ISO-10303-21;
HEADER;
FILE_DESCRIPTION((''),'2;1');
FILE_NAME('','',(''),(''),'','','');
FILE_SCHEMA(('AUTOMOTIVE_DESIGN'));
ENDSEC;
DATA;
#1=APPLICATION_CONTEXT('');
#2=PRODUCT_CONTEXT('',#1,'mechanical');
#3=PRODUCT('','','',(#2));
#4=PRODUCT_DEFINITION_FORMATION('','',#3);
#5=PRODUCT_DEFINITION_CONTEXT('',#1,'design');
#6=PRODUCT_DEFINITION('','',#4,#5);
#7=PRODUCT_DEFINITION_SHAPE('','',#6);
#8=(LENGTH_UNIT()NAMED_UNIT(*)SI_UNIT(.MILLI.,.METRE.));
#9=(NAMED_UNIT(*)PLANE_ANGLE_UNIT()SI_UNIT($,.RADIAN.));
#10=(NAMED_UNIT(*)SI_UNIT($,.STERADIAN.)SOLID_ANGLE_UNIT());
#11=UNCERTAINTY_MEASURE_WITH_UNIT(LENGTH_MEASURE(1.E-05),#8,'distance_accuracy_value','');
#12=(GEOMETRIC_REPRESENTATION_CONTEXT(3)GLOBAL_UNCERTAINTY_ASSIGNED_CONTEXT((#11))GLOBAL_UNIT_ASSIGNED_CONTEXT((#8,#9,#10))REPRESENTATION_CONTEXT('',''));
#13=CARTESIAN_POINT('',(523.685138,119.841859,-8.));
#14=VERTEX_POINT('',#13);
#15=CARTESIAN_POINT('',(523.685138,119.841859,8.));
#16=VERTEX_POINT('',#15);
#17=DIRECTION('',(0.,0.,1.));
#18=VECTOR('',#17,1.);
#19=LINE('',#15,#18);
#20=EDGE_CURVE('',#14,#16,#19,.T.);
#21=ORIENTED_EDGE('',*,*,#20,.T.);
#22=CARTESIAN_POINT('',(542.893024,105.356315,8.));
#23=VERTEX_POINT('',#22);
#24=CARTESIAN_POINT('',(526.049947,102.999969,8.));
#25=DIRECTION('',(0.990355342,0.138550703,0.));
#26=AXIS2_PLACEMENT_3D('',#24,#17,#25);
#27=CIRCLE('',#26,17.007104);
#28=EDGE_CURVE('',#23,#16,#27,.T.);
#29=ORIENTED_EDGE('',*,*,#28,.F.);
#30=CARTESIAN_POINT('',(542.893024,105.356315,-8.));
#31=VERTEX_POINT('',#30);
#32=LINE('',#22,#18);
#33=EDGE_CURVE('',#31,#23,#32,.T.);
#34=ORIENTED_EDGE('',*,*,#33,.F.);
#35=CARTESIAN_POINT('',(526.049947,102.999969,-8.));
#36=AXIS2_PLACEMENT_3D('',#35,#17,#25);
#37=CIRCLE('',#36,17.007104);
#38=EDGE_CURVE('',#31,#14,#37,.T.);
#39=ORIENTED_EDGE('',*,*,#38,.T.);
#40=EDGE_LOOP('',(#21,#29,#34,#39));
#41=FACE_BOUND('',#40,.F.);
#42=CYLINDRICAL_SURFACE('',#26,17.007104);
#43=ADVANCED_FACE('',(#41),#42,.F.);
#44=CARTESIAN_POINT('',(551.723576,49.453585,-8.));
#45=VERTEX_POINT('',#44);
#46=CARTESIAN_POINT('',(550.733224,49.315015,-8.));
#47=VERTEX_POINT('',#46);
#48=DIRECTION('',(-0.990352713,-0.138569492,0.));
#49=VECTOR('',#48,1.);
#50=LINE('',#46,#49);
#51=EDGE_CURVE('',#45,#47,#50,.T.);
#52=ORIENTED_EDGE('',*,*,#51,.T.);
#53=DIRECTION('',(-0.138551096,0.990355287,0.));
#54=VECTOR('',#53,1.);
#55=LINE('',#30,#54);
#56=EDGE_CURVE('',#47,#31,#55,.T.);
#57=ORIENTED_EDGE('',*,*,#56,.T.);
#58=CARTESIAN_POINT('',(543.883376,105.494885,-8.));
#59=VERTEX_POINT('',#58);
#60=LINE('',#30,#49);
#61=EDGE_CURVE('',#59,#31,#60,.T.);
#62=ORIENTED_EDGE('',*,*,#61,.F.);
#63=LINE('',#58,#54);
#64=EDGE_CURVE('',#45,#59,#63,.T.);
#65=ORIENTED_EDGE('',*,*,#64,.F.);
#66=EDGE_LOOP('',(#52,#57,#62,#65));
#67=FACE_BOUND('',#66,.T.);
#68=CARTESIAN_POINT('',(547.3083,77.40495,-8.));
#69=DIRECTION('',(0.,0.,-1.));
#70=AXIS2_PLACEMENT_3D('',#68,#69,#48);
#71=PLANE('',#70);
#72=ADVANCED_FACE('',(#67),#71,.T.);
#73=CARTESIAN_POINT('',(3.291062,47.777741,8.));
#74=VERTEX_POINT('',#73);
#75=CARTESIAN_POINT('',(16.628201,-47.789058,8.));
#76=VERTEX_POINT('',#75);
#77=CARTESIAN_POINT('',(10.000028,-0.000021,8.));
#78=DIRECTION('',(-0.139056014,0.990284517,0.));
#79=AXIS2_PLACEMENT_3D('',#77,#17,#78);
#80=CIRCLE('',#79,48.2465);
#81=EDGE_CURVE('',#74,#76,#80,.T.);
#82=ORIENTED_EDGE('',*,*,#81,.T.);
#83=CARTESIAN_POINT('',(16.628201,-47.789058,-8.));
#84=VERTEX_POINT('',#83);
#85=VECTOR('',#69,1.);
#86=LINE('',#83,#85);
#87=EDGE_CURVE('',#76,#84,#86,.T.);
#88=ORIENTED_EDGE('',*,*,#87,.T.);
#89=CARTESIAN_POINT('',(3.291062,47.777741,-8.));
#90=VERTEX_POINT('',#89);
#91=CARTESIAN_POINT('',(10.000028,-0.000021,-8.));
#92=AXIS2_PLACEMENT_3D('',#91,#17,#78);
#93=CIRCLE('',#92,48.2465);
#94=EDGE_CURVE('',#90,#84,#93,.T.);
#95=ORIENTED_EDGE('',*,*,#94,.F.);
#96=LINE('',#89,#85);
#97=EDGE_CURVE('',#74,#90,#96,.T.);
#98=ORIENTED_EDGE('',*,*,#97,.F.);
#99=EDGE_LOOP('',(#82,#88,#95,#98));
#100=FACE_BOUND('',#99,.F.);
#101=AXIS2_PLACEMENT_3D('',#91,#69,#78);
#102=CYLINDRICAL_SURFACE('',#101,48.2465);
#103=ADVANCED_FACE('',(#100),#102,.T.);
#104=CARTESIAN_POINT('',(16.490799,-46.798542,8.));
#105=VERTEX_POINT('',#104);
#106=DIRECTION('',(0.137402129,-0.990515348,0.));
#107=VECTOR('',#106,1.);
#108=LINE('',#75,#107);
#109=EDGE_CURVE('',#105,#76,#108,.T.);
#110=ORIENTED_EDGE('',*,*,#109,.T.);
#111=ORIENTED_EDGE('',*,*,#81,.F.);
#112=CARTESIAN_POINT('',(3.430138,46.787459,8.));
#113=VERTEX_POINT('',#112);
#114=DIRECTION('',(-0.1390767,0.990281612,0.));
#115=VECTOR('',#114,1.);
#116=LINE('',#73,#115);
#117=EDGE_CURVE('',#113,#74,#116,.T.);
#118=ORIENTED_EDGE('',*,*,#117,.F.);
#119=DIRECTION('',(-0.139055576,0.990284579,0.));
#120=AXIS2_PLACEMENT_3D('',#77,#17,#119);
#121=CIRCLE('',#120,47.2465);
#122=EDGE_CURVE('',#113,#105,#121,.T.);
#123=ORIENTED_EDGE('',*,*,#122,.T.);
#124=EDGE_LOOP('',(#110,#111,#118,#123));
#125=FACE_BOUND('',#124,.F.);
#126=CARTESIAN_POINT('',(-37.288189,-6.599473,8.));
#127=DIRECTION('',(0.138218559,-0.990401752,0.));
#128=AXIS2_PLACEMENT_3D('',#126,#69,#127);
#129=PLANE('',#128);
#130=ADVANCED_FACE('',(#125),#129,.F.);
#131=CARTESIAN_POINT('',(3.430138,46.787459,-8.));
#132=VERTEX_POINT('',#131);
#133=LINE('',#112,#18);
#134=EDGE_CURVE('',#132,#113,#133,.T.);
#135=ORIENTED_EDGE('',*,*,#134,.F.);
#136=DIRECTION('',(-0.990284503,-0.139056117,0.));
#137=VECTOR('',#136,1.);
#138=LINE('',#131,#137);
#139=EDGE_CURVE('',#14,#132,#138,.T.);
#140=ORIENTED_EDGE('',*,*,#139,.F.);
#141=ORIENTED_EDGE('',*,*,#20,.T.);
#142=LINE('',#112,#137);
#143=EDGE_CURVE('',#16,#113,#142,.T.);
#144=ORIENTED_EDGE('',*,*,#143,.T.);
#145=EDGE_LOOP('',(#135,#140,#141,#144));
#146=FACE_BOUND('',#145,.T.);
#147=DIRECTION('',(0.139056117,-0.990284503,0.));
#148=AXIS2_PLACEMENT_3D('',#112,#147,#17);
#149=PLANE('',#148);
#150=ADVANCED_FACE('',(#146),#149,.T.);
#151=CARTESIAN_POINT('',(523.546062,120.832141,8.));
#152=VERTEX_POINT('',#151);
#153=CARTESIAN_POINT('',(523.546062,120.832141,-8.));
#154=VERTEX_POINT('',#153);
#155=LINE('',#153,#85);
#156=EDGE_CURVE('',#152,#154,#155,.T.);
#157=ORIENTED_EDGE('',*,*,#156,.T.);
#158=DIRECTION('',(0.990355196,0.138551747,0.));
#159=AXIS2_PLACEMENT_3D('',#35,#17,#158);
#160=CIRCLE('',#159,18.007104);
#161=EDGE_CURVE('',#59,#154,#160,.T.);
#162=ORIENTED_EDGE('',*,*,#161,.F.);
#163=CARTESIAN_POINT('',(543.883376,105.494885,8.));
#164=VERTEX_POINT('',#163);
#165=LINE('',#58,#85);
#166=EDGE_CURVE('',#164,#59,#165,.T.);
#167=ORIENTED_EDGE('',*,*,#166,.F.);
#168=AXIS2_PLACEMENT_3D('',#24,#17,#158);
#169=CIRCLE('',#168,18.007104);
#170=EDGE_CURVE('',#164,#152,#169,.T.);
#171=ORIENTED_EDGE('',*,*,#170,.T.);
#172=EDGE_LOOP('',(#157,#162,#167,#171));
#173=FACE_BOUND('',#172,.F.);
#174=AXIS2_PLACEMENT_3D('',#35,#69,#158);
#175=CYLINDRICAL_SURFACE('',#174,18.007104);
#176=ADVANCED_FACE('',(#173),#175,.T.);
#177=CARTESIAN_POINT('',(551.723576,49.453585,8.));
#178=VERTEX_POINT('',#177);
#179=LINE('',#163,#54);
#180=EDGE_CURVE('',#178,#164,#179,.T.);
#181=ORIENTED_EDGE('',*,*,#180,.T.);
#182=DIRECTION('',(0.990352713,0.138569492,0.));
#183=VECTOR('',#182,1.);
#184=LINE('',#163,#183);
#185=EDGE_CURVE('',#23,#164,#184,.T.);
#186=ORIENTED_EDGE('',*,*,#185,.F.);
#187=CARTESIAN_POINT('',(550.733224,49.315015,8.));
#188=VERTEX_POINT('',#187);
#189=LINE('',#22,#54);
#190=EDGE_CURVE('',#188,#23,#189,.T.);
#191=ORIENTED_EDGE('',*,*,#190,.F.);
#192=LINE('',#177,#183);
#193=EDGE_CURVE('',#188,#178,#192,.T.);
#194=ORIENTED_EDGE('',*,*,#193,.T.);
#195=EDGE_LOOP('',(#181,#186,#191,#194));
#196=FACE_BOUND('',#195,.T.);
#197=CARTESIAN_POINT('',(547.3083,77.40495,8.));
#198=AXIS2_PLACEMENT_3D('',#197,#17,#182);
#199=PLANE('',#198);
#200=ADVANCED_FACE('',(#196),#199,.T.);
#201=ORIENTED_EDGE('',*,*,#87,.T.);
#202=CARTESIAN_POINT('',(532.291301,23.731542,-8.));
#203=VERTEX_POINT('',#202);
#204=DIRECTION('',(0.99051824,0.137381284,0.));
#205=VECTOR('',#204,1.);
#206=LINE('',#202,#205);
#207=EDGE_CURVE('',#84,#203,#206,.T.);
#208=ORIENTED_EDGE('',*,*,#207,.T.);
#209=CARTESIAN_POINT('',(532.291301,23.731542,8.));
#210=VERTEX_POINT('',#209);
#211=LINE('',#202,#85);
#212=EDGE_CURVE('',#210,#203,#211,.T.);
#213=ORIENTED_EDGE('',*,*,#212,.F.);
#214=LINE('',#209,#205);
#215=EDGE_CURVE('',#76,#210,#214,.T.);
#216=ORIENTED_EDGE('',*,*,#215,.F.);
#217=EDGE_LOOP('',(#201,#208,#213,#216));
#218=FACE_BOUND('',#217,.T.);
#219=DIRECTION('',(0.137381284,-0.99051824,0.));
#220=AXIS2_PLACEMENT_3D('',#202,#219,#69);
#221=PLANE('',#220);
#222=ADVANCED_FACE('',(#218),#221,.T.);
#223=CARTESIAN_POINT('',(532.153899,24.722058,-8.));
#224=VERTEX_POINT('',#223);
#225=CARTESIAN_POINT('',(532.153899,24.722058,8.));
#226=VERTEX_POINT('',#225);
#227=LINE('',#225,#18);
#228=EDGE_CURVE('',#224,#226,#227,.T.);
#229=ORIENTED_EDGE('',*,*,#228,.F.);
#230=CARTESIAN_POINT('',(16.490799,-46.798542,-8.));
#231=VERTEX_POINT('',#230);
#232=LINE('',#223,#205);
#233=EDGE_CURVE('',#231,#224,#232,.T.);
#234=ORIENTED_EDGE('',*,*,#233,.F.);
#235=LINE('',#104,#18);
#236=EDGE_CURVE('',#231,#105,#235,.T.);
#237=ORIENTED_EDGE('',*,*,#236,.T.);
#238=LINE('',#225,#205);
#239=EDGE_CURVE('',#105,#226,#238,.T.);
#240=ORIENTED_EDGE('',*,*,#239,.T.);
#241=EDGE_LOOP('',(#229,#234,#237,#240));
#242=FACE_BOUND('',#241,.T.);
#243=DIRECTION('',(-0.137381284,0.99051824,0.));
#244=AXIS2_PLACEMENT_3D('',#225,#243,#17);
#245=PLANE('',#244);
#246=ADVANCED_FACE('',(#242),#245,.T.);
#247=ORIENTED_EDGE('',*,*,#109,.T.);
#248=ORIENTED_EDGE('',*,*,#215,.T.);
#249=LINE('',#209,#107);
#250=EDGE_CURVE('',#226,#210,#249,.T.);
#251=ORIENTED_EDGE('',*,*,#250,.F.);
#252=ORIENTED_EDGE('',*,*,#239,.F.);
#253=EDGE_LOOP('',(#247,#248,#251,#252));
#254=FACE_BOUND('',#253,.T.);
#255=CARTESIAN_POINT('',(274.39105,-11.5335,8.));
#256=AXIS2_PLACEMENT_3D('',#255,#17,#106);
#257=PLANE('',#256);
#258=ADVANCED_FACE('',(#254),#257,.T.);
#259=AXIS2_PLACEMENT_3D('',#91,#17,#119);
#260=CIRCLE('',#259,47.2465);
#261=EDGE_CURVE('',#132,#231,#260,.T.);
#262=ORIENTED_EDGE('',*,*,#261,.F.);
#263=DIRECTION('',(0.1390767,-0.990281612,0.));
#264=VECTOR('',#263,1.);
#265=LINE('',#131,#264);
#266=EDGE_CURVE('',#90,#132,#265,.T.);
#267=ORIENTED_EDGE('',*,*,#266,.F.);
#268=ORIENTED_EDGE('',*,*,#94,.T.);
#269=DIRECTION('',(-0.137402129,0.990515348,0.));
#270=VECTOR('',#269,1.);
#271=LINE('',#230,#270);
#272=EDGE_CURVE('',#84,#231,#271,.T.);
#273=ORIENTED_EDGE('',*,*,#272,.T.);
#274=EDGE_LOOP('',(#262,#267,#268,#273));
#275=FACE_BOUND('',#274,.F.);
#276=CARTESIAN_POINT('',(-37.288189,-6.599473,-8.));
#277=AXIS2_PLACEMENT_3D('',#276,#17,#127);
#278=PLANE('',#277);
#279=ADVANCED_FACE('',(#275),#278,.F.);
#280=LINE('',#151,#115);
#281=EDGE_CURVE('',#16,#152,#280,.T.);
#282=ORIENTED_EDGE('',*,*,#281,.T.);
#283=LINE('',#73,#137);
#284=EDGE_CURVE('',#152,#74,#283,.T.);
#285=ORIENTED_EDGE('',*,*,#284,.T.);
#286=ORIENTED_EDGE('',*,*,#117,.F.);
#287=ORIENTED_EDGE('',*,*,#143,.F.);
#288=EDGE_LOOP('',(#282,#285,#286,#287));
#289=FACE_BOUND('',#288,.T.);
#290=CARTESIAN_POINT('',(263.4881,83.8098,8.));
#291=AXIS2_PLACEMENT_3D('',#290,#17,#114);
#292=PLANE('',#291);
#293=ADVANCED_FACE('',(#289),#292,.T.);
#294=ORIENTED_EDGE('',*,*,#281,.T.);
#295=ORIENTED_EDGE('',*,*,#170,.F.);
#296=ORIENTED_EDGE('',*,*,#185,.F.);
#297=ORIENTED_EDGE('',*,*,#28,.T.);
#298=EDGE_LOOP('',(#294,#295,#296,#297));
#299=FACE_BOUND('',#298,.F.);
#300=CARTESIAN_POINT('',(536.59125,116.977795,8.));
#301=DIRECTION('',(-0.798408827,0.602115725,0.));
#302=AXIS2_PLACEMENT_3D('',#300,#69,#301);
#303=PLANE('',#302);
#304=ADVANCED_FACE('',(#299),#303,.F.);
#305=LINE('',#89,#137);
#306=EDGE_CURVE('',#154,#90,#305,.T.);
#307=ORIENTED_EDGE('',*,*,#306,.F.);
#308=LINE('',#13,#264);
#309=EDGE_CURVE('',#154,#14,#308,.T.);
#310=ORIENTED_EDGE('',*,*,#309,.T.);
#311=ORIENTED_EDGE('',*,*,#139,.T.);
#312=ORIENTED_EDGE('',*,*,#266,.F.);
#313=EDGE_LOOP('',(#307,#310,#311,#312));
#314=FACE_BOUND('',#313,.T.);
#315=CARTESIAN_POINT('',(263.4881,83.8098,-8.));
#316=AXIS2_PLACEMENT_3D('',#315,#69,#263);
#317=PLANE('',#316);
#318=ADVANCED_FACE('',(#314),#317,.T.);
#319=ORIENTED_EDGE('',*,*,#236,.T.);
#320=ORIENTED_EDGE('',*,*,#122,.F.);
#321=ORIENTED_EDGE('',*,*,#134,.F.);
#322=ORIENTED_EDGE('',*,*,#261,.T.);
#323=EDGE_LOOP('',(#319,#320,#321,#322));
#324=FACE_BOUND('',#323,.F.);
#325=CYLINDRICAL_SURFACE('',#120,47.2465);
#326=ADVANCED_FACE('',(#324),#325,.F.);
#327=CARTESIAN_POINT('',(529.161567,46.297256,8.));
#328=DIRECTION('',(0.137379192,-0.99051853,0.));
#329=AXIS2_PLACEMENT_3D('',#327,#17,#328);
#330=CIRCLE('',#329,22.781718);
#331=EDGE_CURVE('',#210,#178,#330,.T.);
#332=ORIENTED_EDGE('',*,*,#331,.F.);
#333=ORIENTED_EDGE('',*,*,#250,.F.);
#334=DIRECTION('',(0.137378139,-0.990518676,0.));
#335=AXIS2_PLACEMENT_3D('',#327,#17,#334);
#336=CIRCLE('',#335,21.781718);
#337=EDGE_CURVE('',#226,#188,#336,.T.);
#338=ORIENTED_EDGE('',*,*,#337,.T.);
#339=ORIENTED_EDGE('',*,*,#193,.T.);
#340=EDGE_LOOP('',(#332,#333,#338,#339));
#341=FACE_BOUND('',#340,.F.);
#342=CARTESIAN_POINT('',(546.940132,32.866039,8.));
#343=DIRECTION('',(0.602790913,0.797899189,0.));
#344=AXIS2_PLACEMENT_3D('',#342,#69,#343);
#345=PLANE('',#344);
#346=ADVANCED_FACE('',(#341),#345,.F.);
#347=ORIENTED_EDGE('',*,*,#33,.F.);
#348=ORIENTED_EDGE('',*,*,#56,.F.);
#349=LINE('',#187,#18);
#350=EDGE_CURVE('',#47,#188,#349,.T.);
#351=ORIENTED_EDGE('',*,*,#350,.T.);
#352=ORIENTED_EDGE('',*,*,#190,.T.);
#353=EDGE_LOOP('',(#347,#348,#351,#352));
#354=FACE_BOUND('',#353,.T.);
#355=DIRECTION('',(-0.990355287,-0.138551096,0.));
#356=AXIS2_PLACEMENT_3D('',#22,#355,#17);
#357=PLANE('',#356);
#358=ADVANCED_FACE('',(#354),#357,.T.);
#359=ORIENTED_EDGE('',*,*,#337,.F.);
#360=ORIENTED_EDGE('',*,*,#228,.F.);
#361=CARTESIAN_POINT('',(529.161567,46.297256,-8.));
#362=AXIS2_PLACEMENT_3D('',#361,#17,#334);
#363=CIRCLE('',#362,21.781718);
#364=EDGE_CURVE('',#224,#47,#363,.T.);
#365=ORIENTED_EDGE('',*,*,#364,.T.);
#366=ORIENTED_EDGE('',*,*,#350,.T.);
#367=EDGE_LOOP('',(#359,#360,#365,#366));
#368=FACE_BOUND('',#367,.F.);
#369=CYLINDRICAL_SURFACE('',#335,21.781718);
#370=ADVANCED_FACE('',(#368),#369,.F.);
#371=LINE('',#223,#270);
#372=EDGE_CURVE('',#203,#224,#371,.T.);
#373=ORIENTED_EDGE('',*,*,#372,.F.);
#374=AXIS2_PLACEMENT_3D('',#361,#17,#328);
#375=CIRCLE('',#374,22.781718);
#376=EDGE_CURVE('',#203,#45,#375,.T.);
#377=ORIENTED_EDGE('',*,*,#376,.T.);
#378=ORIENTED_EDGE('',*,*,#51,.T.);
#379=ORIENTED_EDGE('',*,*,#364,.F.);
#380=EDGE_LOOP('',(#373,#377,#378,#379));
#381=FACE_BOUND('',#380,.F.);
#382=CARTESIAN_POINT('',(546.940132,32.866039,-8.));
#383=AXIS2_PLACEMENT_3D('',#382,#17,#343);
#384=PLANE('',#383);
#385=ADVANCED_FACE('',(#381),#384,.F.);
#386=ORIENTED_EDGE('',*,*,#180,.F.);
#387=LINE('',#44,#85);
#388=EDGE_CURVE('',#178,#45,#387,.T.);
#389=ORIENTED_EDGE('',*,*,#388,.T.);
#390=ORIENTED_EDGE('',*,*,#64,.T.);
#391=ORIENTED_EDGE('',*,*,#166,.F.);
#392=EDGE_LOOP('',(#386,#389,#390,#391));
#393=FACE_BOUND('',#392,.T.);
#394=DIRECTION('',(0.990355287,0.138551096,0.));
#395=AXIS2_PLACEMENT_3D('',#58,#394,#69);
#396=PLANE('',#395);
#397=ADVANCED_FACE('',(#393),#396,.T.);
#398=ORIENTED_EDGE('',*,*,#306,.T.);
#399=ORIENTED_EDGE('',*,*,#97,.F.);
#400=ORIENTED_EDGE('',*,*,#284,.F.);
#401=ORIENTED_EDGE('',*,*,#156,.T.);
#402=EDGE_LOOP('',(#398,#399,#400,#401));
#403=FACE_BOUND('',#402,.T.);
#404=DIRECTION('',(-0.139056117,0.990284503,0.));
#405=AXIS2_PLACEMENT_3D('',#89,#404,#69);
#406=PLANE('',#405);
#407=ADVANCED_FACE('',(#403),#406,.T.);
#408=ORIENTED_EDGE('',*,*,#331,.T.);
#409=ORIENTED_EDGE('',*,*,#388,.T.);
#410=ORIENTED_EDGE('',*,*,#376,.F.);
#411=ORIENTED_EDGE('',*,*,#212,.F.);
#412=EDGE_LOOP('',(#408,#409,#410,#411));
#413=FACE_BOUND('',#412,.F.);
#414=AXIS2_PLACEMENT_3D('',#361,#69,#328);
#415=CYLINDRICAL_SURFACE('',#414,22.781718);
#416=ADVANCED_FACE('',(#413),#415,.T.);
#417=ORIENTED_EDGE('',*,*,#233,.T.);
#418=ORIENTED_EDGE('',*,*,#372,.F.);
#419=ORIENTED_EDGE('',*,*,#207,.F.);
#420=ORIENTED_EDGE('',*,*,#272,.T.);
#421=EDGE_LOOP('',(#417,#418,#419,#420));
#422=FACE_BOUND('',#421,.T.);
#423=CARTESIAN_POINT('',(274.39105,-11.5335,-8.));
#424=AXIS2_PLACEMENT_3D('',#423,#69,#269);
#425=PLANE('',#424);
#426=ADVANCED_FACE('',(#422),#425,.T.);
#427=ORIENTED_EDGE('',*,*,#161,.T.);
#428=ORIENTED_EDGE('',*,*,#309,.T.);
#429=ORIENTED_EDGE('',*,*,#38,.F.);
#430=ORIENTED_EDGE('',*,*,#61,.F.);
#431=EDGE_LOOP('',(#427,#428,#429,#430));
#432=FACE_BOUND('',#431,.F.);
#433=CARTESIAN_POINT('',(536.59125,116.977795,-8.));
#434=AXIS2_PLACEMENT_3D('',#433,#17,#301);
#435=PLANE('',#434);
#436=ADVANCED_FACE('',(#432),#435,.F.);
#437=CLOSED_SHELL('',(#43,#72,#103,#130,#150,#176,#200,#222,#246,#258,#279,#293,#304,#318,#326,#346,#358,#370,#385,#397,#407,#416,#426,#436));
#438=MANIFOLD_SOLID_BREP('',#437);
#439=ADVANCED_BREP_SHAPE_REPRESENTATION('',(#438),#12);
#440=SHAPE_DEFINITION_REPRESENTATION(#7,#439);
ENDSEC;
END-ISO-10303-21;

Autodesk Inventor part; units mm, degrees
sketch "Ścieżka szkicu" plane through (0, 0, 0) normal (0, 0, 1) x (1, 0, 0)
  arc A0 (3.3606, 47.2826) -> (16.5595, -47.2938) centre (10, 0) ccw
  arc A1 (543.3882, 105.4256) -> (523.6156, 120.337) centre (526.05, 103) ccw
  arc A2 (532.2226, 24.2268) -> (551.2284, 49.3843) centre (529.1616, 46.2972) ccw
  line L0 (532.2226, 24.2268) -> (16.5595, -47.2938)
  line L1 (3.3606, 47.2826) -> (523.6156, 120.337)
  line L2 (543.3882, 105.4256) -> (551.2284, 49.3843)
ref_plane "Płaszczyzna przekroju poprzecznego" through (16.5595, -47.2938, 0) normal (0.9905, 0.1374, 0) x (0, 0, 1)
ref_plane "Płaszczyzna konstrukcyjna2" through (10, 0, 0) normal (-1, 0, 0) x (0, 0, 1)
ref_plane "Płaszczyzna konstrukcyjna3" through (526.05, 103, 0) normal (-0.9979, -0.0651, 0) x (0, 0, 1)
ref_plane "Płaszczyzna konstrukcyjna4" through (529.1616, 46.2972, 0) normal (-0.04, 0.9992, 0) x (0, 0, 1)
sketch "Przekrój poprzeczny" plane through (16.5595, -47.2938, 0) normal (0.9905, 0.1374, 0) x (0, 0, 1)
  line L0 (-8, 0.5) -> (8, 0.5)
  line L1 (8, 0.5) -> (8, -0.5)
  line L2 (8, -0.5) -> (-8, -0.5)
  line L3 (-8, -0.5) -> (-8, 0.5)
  line L4 (-8, 0) -> (8, 0) construction
  point P0 (0, 0)
  point P1 (0, 0)
  dimension "d0" = 16
  dimension "d4" = 0.5
  dimension "d5" = 0.5
sweep "Pas" add profiles "Przekrój poprzeczny" path "Ścieżka szkicu"
equation "\"d0\" = da_B"
equation "\"d4\" = da_a"
equation "\"d5\" = da_a2"
equation "\"da_B\" = 16"
equation "\"da_pb\" = 5"
equation "\"da_L\" = 1315"
equation "\"da_a\" = 0.5"
equation "\"da_S\" = 2.65"
equation "\"da_Beta\" = 20deg"
equation "\"da_Ht\" = 1.2"
equation "\"da_H\" = 2.2"
equation "\"da_a2\" = 0.5"
properties part number "Pas synchroniczny" material "Rubber"
